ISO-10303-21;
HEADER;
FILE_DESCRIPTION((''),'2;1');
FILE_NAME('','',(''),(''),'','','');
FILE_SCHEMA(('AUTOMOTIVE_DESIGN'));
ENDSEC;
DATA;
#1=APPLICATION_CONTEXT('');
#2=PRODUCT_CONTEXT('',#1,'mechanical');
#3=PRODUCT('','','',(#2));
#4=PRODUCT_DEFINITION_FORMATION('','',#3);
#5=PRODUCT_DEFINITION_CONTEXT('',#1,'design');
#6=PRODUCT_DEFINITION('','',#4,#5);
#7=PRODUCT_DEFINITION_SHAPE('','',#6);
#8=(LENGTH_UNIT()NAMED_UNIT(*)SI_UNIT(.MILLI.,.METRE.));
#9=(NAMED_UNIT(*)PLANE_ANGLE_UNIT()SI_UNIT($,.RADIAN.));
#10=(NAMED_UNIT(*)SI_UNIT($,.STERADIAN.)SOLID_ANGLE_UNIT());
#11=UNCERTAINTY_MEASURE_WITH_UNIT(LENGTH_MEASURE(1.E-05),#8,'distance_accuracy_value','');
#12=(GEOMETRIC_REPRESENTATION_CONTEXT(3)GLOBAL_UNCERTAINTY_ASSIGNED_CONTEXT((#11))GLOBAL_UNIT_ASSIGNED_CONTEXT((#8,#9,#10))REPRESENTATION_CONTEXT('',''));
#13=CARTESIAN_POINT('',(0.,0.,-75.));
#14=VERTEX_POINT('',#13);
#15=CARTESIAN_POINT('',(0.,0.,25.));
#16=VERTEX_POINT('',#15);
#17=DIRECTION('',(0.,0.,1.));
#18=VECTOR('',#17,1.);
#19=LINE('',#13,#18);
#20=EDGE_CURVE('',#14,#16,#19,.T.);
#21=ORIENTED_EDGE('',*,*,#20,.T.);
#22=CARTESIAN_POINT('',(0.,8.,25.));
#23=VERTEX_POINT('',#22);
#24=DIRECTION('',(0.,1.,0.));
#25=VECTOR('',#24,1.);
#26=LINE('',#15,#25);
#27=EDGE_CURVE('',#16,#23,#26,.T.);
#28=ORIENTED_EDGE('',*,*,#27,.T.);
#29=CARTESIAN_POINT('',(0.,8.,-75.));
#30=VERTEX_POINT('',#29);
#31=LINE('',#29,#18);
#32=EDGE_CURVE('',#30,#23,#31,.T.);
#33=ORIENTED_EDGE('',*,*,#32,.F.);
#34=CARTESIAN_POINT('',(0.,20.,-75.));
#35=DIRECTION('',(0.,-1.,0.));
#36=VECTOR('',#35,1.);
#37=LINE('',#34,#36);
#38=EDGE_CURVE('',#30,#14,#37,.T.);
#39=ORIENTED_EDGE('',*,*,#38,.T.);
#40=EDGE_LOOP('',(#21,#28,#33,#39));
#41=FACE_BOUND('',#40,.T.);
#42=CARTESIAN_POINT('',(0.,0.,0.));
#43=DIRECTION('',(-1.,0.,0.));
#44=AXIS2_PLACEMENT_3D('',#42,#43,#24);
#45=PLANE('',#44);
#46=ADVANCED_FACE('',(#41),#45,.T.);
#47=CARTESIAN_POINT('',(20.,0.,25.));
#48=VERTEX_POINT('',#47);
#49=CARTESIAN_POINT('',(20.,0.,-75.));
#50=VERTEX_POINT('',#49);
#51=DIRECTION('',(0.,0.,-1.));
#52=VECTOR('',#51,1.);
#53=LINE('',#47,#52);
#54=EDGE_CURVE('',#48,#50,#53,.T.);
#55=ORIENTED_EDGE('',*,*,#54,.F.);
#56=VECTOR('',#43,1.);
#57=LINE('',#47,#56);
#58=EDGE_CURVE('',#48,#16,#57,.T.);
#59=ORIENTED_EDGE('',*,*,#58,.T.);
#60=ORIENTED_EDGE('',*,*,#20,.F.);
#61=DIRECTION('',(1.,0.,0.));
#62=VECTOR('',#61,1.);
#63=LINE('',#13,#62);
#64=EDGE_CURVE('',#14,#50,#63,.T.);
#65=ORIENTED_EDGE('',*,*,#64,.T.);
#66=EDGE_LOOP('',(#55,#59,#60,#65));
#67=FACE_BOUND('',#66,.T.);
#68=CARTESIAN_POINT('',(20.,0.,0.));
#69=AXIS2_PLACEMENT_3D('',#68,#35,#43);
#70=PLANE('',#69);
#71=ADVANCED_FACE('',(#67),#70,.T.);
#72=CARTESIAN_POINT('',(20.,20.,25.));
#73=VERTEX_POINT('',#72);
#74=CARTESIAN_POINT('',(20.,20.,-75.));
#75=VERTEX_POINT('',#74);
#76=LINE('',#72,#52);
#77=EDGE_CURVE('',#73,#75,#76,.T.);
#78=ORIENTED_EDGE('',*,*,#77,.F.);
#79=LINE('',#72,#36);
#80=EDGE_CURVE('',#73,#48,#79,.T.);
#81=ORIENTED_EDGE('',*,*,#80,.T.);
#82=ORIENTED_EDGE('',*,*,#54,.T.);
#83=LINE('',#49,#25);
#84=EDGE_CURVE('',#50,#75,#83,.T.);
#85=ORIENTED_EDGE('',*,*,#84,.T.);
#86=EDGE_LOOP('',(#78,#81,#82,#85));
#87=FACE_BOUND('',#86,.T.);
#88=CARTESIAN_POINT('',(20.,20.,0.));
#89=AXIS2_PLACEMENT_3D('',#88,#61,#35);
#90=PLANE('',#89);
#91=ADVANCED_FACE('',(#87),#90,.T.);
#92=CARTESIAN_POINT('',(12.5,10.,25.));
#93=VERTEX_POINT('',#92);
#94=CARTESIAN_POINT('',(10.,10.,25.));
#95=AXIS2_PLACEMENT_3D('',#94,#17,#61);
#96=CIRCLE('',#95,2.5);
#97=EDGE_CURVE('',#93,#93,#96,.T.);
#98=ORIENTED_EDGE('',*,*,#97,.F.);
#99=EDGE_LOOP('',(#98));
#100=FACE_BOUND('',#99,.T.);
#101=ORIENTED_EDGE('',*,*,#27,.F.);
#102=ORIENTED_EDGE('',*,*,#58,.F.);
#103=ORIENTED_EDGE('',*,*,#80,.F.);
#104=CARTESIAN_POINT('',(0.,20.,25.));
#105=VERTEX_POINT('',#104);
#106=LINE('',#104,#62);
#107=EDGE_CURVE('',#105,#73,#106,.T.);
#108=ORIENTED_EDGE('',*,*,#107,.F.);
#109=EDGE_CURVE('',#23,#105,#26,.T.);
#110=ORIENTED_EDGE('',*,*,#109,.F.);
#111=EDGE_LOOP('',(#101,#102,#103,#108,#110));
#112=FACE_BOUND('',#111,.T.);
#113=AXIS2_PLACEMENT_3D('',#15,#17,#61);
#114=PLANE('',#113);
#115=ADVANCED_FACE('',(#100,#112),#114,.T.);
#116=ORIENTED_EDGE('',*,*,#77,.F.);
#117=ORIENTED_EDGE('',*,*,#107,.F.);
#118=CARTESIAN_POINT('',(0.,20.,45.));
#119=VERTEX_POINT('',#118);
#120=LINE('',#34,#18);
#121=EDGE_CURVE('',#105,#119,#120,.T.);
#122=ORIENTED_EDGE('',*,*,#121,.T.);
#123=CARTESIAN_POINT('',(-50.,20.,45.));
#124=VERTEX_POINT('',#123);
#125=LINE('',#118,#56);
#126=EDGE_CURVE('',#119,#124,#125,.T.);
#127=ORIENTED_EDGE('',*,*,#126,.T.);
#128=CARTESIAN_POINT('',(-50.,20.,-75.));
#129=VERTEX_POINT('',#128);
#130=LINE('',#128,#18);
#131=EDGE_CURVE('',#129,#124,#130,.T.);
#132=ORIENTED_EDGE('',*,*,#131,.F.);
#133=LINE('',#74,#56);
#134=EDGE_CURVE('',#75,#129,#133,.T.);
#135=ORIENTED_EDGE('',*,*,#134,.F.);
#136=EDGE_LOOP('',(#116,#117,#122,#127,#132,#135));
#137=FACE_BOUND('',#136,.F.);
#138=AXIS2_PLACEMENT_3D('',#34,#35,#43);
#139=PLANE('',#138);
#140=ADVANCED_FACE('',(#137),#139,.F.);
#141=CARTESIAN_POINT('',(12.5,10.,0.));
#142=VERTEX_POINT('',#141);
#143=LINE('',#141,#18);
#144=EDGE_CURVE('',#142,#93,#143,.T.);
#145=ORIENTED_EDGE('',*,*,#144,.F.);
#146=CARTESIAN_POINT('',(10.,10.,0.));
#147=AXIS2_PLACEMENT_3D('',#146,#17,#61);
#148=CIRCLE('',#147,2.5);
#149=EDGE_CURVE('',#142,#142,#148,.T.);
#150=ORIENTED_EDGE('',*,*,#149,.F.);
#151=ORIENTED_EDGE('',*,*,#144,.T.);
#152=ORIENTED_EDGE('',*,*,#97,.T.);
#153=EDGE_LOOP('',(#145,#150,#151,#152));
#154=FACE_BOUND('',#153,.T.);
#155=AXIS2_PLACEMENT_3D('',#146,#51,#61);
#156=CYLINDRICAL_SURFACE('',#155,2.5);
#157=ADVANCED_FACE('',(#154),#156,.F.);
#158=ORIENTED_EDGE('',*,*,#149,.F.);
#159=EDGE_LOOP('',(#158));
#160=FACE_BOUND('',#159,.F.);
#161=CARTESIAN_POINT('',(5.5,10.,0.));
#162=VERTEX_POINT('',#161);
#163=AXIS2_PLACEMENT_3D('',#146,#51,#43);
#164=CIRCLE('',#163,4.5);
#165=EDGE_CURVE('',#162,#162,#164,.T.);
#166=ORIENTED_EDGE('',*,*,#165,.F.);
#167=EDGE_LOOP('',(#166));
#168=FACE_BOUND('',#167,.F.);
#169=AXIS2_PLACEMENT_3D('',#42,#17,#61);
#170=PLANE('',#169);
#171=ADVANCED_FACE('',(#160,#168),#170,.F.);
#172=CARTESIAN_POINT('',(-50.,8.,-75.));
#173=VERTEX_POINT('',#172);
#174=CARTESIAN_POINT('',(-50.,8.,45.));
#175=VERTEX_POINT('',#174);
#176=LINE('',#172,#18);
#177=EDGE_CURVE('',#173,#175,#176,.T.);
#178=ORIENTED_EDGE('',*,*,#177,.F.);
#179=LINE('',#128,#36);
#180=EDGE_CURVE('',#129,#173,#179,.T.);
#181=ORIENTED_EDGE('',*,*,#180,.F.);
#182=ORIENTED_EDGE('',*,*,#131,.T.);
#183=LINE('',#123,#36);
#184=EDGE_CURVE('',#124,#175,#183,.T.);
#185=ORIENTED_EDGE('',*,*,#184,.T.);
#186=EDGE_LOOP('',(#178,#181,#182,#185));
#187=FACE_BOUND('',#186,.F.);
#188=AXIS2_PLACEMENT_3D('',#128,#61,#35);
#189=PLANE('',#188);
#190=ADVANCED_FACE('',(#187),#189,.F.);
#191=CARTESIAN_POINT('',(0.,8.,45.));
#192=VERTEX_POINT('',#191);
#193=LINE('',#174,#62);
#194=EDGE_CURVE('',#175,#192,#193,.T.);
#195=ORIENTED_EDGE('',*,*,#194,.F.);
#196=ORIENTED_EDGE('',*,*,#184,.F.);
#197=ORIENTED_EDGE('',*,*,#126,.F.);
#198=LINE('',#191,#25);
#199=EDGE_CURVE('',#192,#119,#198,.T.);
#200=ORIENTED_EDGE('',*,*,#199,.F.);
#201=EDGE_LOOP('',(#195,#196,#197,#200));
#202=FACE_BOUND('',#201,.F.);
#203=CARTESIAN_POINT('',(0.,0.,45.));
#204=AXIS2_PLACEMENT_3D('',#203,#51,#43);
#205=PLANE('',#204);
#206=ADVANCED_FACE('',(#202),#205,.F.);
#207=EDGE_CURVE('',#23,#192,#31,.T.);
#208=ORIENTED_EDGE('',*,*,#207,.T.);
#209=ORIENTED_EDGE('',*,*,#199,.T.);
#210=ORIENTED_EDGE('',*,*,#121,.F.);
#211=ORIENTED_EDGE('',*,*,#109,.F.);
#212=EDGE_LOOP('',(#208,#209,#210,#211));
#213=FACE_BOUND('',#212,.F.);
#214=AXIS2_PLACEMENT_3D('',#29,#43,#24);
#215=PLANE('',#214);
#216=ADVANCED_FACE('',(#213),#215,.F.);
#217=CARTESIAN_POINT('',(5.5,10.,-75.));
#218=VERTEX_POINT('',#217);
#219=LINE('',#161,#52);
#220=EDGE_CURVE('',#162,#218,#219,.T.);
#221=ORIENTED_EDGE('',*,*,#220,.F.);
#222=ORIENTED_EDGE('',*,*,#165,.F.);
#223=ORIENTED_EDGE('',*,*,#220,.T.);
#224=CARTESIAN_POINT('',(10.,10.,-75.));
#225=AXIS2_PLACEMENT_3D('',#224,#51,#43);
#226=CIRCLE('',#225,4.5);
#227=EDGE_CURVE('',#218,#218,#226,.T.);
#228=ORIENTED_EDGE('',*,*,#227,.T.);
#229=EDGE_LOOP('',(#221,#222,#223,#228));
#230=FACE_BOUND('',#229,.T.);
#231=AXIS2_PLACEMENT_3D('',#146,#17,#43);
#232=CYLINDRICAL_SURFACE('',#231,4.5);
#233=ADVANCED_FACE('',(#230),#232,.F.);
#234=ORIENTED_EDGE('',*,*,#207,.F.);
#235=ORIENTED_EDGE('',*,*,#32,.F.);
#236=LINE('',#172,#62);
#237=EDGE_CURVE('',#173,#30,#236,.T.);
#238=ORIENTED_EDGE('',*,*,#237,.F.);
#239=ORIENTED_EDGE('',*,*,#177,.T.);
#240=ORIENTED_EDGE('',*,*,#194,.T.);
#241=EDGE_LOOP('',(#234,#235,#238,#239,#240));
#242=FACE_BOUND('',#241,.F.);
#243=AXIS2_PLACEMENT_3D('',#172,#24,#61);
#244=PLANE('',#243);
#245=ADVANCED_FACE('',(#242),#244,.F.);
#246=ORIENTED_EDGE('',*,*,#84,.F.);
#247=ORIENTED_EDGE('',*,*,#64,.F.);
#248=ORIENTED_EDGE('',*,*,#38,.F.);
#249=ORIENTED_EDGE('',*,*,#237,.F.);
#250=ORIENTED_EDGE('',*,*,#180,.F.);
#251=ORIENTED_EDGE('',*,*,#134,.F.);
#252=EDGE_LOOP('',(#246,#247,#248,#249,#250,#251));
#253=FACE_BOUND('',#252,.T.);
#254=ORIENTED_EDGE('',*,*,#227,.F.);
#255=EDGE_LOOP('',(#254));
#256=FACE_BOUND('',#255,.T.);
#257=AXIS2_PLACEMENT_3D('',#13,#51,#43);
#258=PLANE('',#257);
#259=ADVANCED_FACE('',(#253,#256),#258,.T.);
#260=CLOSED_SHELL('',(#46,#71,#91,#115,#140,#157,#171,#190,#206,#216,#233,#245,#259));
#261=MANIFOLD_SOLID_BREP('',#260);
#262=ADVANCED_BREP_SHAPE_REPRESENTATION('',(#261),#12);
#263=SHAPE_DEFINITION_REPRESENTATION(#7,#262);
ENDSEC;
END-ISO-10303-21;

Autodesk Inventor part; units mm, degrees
ref_plane "YZ Plane" through (0, 0, 0) normal (1, 0, 0) x (0, 1, 0)
ref_plane "XZ Plane" through (0, 0, 0) normal (0, 1, 0) x (-1, 0, 0)
ref_plane "XY Plane" through (0, 0, 0) normal (0, 0, 1) x (1, 0, 0)
sketch "Sketch1" plane through (0, 0, 0) normal (0, 0, 1) x (1, 0, 0)
  line L0 (0, 20) -> (20, 20)
  line L1 (20, 20) -> (20, 0)
  line L2 (20, 0) -> (0, 0)
  line L3 (0, 0) -> (0, 20)
  circle A0 centre (10, 10) radius 2.5
  dimension "d0" = 20
  dimension "d1" = 20
  dimension "d5" = 10
  dimension "d6" = 10
  dimension "d7" = 5
extrude "Extrusion2" add sketch "Sketch1" along normal blind 25
sketch "Sketch5" plane through (0, 0, 0) normal (0, 0, -1) x (-1, 0, 0)
  line L0 (0, 0) -> (-20, 0) projected
  line L1 (-20, 0) -> (-20, 20) projected
  line L2 (0, 0) -> (-20, 0)
  line L3 (-20, 0) -> (-20, 20)
  line L4 (-20, 20) -> (0, 20)
  line L5 (0, 20) -> (0, 0)
  circle A0 centre (-10, 10) radius 2.5 projected
  circle A1 centre (-10, 10) radius 4.5
  dimension "d17" = 9
extrude "Extrusion5" add sketch "Sketch5" along normal blind 75 contours L0 L1 L4 L5
sketch "Sketch7" plane through (0, 0, -75) normal (0, 0, -1) x (-1, 0, 0)
  line L0 (-20, 20) -> (0, 20) projected
  line L1 (0, 20) -> (50, 20)
  line L2 (50, 20) -> (50, 8)
  line L3 (50, 8) -> (0, 8)
  line L4 (0, 8) -> (0, 20)
  point P0 (0, 0)
  dimension "d25" = 50
  dimension "d26" = 12
extrude "Extrusion7" add sketch "Sketch7" against normal blind 120
equation "\"d5\" = 0.5 * d1"
equation "\"d6\" = 0.5 * d0"
properties part number "Touchscreen mount R v06"
